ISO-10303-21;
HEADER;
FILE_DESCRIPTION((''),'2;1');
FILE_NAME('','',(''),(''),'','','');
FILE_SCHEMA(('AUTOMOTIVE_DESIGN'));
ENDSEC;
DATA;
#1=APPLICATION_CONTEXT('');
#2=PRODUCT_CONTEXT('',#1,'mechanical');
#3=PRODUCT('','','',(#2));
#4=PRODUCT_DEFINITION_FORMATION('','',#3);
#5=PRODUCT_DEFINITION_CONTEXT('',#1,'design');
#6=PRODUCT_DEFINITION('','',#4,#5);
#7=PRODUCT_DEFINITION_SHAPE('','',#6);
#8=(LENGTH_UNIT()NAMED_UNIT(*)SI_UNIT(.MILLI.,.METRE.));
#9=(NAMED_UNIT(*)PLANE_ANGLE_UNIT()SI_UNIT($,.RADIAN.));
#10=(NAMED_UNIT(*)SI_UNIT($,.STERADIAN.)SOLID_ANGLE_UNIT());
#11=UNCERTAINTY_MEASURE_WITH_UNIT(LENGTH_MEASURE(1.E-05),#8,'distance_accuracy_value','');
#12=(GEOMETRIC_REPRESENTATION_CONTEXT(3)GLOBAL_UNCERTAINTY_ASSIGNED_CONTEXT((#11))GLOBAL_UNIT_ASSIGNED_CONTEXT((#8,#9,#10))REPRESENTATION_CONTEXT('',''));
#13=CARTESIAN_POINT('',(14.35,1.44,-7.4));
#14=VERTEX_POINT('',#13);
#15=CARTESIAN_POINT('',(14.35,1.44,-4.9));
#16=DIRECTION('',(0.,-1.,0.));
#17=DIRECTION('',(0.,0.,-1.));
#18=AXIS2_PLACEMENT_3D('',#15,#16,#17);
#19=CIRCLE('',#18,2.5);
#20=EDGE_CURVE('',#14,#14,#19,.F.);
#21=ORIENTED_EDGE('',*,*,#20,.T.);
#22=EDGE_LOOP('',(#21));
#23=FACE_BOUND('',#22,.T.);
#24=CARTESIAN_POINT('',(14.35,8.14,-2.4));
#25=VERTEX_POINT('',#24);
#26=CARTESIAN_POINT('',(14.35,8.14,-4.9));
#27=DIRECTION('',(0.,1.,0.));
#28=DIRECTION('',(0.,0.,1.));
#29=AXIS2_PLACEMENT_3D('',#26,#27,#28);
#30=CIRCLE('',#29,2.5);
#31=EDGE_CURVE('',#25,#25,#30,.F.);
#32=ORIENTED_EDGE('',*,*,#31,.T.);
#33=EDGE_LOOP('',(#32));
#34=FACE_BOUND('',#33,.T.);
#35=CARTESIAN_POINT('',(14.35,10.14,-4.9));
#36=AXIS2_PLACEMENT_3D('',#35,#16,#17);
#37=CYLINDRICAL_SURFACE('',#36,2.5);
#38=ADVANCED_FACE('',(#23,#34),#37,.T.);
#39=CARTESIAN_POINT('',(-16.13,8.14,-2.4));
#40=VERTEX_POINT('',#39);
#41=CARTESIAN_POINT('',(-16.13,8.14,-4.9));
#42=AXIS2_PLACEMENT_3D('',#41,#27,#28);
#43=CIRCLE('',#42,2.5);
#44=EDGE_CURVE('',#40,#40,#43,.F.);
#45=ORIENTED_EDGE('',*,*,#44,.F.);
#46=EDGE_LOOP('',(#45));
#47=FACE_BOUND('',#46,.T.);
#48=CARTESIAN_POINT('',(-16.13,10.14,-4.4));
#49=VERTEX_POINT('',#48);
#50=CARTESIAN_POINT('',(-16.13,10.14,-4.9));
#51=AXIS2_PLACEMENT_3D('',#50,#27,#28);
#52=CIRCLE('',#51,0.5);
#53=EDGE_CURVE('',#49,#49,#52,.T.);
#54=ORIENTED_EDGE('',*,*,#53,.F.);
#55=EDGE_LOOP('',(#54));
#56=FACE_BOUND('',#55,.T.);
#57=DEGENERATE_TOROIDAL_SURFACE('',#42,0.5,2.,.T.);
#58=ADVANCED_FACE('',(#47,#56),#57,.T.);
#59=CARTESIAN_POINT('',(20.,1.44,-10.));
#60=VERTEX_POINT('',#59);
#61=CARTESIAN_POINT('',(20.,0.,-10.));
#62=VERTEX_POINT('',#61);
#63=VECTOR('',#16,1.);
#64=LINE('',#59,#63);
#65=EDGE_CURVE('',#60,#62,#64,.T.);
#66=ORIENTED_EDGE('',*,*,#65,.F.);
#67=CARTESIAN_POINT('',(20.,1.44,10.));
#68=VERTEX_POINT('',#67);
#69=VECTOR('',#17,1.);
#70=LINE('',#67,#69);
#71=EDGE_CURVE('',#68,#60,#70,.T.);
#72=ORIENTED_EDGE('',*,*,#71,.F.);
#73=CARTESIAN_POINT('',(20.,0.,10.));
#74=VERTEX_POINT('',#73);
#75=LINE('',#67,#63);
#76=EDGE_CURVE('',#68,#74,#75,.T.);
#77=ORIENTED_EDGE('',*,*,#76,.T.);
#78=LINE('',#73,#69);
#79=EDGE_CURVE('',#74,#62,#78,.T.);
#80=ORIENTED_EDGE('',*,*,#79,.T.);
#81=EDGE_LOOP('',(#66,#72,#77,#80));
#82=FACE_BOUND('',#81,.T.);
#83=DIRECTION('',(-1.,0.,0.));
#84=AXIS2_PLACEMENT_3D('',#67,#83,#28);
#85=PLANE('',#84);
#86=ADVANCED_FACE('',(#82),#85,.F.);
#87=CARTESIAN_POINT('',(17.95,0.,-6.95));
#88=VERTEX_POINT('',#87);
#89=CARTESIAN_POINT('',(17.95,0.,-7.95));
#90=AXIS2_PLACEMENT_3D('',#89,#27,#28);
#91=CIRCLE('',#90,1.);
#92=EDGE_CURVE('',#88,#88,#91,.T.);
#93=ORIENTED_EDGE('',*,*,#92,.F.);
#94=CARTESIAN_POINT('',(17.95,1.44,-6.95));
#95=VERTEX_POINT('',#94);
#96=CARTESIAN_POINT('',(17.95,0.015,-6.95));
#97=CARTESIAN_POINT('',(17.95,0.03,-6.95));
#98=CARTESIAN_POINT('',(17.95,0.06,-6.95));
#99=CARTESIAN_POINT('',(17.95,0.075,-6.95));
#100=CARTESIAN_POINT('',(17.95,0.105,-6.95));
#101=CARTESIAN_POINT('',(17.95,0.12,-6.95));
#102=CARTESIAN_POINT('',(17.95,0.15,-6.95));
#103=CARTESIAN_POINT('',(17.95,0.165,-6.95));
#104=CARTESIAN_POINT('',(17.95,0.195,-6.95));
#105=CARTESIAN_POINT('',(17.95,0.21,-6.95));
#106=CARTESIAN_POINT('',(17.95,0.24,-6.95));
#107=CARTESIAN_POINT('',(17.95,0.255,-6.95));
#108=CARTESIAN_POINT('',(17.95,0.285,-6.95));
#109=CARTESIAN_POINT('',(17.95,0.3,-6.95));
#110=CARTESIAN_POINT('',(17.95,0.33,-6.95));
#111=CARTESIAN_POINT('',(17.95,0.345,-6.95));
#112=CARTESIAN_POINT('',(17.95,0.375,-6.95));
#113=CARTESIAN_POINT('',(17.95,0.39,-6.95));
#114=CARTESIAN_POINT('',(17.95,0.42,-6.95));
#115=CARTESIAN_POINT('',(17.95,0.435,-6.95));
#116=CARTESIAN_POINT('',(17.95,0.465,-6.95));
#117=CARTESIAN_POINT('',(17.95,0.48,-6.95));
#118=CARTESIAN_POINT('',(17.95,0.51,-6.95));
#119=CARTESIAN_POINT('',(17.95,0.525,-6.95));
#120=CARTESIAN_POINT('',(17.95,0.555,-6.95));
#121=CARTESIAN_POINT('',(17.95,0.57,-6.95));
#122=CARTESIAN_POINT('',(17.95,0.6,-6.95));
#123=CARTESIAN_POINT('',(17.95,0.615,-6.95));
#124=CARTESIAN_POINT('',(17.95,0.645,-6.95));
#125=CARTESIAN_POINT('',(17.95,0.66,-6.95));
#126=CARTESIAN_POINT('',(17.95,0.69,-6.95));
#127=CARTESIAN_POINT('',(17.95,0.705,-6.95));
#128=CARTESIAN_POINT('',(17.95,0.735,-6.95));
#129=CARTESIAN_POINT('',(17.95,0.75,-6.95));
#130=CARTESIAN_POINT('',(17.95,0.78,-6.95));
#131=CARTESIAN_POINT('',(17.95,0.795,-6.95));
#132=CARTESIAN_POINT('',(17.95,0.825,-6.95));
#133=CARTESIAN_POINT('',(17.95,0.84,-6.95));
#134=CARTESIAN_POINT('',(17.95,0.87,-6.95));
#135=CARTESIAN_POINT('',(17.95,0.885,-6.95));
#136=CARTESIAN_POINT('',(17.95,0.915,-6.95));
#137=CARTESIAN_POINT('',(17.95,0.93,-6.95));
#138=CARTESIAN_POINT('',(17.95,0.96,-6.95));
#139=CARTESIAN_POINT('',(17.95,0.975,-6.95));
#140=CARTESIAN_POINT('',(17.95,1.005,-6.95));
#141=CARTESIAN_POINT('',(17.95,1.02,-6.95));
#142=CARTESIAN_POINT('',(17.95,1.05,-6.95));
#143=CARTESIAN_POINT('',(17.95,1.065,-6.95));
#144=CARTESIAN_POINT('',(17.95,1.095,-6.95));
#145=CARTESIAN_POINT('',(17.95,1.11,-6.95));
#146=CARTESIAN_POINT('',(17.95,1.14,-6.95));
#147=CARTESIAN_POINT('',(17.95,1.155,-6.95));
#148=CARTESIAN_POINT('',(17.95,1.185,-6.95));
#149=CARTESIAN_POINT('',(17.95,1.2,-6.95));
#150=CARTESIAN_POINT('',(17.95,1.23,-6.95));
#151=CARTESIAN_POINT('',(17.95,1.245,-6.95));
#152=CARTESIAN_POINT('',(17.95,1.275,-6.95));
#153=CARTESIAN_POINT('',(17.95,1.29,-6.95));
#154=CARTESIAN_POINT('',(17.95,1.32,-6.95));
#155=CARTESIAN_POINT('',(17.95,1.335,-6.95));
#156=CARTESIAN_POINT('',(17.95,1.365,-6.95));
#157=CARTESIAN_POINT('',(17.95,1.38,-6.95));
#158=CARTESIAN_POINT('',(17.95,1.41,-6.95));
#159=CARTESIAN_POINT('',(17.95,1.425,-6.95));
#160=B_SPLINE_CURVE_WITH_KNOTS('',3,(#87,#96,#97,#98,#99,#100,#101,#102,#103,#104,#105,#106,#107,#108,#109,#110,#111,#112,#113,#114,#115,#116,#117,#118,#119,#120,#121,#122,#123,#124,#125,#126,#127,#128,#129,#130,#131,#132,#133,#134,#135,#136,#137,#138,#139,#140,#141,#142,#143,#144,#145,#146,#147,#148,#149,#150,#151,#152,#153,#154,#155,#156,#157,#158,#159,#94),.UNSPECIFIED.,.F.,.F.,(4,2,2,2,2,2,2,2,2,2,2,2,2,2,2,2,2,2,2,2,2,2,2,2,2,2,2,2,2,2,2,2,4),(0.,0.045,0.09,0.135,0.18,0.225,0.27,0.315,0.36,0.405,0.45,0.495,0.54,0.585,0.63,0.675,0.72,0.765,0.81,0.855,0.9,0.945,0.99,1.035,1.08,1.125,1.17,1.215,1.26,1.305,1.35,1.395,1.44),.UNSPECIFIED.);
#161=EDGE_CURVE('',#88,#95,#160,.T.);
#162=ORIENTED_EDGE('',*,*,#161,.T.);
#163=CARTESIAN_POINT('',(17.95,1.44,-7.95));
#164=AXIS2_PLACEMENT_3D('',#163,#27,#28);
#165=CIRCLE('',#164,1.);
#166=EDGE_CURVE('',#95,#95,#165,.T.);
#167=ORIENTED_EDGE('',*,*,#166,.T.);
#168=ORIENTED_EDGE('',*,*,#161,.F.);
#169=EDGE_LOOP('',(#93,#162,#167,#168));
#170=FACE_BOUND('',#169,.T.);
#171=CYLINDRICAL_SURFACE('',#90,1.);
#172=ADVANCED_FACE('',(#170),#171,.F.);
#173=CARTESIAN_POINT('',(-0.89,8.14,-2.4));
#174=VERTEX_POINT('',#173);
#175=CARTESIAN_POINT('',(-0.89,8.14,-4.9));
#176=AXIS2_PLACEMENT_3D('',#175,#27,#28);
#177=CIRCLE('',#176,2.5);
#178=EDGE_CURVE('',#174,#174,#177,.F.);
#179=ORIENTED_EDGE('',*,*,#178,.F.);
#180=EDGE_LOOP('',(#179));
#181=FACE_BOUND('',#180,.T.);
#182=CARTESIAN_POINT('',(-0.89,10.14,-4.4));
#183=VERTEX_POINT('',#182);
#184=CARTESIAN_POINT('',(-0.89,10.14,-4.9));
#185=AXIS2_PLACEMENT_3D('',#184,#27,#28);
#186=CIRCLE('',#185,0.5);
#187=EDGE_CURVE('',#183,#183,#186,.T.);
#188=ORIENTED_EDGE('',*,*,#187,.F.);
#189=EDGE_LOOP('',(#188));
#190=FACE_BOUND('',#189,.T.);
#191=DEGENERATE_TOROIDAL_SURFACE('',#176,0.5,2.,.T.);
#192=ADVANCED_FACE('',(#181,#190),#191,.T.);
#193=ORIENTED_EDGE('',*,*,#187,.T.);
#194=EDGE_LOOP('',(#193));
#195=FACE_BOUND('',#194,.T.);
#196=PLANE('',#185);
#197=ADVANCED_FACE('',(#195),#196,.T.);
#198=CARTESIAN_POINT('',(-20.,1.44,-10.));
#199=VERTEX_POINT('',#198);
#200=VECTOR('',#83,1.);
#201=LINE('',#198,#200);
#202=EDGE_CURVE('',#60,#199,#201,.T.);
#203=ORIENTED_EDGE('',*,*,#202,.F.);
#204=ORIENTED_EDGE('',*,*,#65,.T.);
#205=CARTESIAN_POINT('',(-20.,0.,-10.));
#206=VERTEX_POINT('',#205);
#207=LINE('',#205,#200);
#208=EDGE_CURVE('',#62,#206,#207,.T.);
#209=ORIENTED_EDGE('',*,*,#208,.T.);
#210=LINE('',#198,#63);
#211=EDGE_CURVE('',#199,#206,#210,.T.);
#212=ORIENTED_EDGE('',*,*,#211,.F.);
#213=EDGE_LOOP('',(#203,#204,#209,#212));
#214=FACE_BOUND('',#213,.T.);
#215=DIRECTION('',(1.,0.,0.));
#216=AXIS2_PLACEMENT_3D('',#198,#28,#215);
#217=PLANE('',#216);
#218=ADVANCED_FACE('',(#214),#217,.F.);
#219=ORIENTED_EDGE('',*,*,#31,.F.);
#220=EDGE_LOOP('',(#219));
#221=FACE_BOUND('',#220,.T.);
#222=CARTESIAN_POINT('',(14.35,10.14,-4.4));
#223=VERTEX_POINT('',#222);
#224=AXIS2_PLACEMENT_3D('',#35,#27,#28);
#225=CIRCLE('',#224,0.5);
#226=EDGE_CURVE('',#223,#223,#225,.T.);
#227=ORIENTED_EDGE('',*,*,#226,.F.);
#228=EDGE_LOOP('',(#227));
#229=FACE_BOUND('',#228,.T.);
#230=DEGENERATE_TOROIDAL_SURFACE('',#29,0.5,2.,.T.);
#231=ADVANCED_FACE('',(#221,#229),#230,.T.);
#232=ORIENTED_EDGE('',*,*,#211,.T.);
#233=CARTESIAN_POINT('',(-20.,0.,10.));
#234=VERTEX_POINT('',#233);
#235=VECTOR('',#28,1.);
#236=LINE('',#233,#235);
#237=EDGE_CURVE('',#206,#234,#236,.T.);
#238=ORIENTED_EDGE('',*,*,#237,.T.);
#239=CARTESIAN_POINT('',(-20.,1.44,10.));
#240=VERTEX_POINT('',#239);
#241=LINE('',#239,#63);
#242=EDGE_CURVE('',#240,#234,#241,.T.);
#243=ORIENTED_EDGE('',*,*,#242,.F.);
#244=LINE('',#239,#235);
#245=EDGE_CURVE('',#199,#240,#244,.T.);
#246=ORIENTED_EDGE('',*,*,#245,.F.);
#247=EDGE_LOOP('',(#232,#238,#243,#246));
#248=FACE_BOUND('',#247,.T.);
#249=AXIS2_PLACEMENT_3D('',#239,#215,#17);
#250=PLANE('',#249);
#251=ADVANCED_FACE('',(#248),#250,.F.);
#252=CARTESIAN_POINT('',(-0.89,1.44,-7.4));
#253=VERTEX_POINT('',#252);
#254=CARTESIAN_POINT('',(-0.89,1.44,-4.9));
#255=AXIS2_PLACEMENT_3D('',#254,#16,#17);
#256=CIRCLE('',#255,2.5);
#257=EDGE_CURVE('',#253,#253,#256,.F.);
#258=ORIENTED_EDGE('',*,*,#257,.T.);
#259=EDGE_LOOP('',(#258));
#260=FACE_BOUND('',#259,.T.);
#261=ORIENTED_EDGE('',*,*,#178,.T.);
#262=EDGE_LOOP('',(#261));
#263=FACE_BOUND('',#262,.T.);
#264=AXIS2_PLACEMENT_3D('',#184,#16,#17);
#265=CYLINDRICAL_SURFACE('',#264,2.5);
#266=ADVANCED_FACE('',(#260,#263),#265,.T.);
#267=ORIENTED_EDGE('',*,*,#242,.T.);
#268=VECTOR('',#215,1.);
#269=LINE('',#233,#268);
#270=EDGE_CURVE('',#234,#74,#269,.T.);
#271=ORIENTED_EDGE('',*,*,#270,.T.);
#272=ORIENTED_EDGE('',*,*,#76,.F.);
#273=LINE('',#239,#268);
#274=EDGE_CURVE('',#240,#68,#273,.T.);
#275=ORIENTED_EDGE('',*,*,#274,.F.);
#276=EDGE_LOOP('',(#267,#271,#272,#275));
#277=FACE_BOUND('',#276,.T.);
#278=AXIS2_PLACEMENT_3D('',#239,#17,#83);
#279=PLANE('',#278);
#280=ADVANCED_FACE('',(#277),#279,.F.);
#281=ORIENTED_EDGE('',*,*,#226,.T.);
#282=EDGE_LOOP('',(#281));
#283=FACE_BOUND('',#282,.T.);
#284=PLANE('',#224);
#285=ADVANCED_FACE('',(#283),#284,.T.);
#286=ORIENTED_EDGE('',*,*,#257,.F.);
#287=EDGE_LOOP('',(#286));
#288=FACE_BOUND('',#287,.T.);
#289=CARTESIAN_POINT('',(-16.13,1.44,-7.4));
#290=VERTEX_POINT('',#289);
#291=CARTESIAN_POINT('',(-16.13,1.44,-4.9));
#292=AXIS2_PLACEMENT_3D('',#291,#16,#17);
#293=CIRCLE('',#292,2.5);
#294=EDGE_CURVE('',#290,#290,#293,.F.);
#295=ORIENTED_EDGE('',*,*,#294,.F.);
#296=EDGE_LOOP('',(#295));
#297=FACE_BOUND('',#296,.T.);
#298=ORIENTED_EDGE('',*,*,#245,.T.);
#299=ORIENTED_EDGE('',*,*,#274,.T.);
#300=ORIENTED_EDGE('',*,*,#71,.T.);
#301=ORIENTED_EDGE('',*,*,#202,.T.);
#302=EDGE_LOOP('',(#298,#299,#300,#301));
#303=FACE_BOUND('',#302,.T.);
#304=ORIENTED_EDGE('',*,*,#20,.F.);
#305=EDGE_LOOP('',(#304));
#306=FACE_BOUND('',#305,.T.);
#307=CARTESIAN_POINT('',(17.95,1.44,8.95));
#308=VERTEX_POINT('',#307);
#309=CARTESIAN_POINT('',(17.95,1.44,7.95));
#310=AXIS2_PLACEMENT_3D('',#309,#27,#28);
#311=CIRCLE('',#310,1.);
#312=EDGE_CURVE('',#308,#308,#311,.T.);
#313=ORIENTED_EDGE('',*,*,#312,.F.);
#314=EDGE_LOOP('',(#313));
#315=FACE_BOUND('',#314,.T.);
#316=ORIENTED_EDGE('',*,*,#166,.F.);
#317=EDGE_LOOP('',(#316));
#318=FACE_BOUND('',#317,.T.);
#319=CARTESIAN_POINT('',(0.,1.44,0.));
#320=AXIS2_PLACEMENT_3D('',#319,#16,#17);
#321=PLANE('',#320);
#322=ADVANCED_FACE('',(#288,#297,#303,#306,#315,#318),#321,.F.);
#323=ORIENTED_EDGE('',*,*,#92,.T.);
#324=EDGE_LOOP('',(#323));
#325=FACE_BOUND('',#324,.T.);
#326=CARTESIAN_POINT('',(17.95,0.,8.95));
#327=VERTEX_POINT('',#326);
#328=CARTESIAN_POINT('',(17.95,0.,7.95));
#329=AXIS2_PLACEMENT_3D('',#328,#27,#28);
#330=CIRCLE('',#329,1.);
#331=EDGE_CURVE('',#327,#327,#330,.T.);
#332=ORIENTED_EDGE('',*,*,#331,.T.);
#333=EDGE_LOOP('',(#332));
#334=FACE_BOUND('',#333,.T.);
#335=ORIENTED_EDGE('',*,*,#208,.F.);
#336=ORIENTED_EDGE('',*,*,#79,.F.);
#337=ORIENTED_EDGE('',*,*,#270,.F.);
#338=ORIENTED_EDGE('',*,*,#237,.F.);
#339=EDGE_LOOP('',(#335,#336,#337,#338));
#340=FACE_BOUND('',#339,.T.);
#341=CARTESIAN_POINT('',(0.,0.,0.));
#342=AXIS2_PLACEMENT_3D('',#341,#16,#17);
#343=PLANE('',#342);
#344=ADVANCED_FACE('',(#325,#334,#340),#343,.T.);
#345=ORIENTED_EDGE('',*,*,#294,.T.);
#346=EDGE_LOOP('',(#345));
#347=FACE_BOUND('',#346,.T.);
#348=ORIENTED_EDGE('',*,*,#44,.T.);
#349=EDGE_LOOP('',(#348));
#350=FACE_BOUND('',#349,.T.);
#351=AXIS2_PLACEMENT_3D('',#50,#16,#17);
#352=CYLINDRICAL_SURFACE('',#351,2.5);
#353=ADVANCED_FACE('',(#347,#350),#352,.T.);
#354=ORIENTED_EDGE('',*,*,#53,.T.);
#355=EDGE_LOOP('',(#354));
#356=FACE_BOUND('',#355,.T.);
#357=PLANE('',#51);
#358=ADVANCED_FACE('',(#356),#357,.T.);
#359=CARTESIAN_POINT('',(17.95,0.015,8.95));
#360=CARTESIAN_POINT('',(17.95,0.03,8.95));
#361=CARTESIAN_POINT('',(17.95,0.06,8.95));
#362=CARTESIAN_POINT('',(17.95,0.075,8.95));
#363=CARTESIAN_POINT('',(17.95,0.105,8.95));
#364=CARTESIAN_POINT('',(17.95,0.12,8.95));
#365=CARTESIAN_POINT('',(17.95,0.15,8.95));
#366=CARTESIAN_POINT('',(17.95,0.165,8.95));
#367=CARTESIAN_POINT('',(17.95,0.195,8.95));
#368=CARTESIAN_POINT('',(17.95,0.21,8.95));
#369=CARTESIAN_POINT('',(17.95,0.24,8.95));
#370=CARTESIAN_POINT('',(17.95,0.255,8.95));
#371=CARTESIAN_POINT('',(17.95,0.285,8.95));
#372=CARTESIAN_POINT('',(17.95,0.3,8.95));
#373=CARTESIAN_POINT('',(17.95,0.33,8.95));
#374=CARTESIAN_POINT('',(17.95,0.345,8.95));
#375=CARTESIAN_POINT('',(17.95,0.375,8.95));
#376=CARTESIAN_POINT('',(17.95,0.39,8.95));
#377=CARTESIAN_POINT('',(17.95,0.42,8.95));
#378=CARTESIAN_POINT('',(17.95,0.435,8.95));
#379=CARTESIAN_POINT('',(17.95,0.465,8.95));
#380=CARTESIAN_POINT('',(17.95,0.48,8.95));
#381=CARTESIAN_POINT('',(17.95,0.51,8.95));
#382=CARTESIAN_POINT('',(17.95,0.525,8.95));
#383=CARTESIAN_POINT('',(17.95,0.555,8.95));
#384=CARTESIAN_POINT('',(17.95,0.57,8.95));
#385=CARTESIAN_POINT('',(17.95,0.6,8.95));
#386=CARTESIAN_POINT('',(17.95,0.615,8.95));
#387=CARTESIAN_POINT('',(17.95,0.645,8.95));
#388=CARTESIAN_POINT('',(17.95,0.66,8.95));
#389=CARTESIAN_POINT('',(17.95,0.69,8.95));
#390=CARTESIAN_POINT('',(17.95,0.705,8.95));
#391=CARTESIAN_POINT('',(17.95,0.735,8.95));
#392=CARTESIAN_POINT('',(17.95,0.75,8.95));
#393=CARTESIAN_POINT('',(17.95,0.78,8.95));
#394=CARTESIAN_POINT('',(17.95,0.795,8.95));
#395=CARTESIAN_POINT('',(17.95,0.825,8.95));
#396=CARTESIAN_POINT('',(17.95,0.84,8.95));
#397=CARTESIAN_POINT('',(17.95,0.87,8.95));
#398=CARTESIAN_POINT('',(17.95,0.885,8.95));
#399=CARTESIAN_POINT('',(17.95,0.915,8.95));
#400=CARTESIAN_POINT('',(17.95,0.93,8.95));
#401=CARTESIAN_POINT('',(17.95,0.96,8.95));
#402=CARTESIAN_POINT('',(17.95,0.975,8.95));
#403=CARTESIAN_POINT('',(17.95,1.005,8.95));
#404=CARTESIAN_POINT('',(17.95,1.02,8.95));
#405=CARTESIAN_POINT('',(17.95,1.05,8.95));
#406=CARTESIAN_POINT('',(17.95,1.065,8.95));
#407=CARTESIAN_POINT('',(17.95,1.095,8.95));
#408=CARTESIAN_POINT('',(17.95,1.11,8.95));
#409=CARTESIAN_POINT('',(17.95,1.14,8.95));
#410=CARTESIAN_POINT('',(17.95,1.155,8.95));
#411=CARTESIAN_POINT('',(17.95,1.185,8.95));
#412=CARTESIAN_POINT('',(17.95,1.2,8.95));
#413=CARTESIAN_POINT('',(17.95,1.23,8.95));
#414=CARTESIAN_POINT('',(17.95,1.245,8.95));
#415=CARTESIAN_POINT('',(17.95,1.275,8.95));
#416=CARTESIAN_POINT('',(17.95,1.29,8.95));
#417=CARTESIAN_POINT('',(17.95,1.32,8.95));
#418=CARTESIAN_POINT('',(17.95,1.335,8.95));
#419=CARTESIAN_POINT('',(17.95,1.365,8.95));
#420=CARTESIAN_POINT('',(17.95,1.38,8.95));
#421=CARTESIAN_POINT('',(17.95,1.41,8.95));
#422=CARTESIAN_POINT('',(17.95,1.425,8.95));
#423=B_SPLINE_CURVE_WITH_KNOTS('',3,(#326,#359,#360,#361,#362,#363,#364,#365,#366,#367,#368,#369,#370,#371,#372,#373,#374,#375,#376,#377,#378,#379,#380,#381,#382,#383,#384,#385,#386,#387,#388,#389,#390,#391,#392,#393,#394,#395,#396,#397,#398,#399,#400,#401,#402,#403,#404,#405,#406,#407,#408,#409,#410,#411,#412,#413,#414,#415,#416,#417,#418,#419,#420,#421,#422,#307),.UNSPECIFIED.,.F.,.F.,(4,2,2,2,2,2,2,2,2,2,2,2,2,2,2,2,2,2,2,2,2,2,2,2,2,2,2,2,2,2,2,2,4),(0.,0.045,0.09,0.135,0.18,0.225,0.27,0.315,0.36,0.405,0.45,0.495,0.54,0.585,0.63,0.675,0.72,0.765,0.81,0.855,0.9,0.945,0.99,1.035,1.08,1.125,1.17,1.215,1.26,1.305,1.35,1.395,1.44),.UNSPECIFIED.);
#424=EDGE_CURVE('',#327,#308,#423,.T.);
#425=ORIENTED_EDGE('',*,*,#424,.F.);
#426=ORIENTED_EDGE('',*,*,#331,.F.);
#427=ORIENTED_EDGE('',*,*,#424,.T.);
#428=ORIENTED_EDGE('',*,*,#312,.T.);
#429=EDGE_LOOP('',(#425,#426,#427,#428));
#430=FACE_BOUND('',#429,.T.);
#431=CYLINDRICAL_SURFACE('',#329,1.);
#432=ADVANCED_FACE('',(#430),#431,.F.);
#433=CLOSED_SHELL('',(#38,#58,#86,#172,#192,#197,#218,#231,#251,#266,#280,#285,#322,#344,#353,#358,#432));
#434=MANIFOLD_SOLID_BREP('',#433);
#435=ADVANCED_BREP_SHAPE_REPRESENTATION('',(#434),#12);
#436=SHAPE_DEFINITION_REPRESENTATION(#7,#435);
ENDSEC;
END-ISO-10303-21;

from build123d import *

# Parameters (mm, degrees)
SKETCH1_W           = 40
SKETCH1_H           = 20
BOSS_EXTRUDE1_DEPTH = 1.44
SKETCH2_R           = 2.5
BOSS_EXTRUDE2_DEPTH = 8.7
FILLET1_R           = 2
SKETCH3_R           = 1
CUT_EXTRUDE1_DEPTH  = 24.993540797


with BuildPart() as part:
    # Sketch1 → Boss-Extrude1 (new body)
    with BuildSketch(Plane(origin=(0, 0, 0), x_dir=(1, 0, 0), z_dir=(0, 1, 0))):
        Rectangle(SKETCH1_W, SKETCH1_H)
    extrude(amount=BOSS_EXTRUDE1_DEPTH)

    # Sketch2 → Boss-Extrude2 (add)
    with BuildSketch(Plane(origin=(0, 1.44, 0), x_dir=(1, 0, 0), z_dir=(0, 1, 0))):
        with Locations(Location((14.35, 4.9, 0), (0, 0, 90))):
            Circle(SKETCH2_R)
        with Locations(Location((-0.89, 4.9, 0), (0, 0, 90))):
            Circle(SKETCH2_R)
        with Locations(Location((-16.13, 4.9, 0), (0, 0, 90))):
            Circle(SKETCH2_R)
    extrude(amount=BOSS_EXTRUDE2_DEPTH)

    # Fillet1
    fillet1_edges = [part.edges().sort_by_distance(p)[0] for p in [
        (14.35, 10.14, -2.4),
        (-0.89, 10.14, -2.4),
        (-16.13, 10.14, -2.4),
    ]]
    fillet(fillet1_edges, radius=FILLET1_R)

    # Sketch3 → Cut-Extrude1 (cut, through all)
    with BuildSketch(Plane(origin=(0, 1.44, 0), x_dir=(1, 0, 0), z_dir=(0, 1, 0))):
        with Locations(Location((17.95, 7.95, 0), (0, 0, 270))):
            Circle(SKETCH3_R)
        with Locations(Location((17.95, -7.95, 0), (0, 0, 270))):
            Circle(SKETCH3_R)
    extrude(amount=-CUT_EXTRUDE1_DEPTH, mode=Mode.SUBTRACT)


solid = part.part
